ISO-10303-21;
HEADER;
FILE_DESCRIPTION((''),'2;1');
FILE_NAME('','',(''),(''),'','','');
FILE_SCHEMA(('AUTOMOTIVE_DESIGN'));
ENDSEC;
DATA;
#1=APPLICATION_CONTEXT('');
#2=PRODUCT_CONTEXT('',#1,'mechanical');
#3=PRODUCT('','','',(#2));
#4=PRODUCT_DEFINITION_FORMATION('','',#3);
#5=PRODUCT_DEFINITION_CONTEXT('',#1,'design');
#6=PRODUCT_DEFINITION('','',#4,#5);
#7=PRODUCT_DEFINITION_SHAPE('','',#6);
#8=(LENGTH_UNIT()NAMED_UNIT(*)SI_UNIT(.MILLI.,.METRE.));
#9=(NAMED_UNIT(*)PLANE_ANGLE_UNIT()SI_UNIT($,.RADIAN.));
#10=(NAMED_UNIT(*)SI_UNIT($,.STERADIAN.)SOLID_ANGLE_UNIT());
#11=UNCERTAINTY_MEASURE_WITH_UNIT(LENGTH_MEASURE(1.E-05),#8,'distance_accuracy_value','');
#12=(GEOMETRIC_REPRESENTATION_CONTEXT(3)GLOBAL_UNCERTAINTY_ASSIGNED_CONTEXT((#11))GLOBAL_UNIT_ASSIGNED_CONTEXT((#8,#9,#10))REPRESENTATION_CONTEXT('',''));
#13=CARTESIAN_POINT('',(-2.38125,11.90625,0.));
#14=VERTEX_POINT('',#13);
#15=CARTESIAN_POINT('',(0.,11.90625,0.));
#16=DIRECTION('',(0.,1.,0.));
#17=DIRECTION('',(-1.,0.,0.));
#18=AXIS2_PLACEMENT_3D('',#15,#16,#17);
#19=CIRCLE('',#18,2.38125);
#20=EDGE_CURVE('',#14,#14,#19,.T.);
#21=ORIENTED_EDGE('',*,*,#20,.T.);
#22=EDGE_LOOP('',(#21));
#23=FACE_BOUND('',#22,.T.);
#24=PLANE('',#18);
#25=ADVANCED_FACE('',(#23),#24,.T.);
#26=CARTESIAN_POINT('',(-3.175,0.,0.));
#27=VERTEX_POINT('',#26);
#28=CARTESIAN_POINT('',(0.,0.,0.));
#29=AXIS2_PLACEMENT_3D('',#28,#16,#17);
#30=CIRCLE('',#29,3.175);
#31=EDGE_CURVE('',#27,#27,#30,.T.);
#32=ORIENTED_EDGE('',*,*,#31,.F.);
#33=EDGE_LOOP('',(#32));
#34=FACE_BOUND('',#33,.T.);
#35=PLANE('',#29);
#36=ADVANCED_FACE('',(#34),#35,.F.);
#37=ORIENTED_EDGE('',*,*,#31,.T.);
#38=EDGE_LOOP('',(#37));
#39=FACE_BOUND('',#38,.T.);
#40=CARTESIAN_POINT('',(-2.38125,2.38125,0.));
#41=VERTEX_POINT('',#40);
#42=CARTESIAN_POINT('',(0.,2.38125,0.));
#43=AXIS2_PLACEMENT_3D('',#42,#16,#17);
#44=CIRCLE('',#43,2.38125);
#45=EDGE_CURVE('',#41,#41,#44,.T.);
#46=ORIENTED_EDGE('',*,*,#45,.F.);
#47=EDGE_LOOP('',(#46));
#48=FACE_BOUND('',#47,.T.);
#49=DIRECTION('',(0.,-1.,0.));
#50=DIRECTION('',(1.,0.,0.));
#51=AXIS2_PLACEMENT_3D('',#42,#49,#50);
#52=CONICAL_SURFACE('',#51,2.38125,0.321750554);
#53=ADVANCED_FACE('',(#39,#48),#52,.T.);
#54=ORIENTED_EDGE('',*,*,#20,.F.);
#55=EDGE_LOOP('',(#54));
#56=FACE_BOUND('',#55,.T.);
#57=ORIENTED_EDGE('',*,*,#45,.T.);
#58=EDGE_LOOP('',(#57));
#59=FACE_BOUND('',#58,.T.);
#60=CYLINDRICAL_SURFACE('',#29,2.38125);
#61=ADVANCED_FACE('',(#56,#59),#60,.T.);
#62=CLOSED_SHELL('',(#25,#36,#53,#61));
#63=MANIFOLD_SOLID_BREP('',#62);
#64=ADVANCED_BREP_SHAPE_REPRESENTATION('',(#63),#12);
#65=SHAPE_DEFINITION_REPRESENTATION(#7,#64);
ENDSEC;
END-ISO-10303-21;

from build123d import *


with BuildPart() as part:
    # Sketch1 → Revolve3 (revolve)
    with BuildSketch(Plane.XY, mode=Mode.PRIVATE) as revolve3_sk:
        Polygon((0, 11.90625), (0, 0), (3.175, 0), (2.38125, 2.38125), (2.38125, 11.90625), align=None)
    revolve(revolve3_sk.sketch.rotate(Axis((0, 0, 0), (0, -1, 0)), 180), axis=Axis((0, 0, 0), (0, -1, 0)))


solid = part.part
